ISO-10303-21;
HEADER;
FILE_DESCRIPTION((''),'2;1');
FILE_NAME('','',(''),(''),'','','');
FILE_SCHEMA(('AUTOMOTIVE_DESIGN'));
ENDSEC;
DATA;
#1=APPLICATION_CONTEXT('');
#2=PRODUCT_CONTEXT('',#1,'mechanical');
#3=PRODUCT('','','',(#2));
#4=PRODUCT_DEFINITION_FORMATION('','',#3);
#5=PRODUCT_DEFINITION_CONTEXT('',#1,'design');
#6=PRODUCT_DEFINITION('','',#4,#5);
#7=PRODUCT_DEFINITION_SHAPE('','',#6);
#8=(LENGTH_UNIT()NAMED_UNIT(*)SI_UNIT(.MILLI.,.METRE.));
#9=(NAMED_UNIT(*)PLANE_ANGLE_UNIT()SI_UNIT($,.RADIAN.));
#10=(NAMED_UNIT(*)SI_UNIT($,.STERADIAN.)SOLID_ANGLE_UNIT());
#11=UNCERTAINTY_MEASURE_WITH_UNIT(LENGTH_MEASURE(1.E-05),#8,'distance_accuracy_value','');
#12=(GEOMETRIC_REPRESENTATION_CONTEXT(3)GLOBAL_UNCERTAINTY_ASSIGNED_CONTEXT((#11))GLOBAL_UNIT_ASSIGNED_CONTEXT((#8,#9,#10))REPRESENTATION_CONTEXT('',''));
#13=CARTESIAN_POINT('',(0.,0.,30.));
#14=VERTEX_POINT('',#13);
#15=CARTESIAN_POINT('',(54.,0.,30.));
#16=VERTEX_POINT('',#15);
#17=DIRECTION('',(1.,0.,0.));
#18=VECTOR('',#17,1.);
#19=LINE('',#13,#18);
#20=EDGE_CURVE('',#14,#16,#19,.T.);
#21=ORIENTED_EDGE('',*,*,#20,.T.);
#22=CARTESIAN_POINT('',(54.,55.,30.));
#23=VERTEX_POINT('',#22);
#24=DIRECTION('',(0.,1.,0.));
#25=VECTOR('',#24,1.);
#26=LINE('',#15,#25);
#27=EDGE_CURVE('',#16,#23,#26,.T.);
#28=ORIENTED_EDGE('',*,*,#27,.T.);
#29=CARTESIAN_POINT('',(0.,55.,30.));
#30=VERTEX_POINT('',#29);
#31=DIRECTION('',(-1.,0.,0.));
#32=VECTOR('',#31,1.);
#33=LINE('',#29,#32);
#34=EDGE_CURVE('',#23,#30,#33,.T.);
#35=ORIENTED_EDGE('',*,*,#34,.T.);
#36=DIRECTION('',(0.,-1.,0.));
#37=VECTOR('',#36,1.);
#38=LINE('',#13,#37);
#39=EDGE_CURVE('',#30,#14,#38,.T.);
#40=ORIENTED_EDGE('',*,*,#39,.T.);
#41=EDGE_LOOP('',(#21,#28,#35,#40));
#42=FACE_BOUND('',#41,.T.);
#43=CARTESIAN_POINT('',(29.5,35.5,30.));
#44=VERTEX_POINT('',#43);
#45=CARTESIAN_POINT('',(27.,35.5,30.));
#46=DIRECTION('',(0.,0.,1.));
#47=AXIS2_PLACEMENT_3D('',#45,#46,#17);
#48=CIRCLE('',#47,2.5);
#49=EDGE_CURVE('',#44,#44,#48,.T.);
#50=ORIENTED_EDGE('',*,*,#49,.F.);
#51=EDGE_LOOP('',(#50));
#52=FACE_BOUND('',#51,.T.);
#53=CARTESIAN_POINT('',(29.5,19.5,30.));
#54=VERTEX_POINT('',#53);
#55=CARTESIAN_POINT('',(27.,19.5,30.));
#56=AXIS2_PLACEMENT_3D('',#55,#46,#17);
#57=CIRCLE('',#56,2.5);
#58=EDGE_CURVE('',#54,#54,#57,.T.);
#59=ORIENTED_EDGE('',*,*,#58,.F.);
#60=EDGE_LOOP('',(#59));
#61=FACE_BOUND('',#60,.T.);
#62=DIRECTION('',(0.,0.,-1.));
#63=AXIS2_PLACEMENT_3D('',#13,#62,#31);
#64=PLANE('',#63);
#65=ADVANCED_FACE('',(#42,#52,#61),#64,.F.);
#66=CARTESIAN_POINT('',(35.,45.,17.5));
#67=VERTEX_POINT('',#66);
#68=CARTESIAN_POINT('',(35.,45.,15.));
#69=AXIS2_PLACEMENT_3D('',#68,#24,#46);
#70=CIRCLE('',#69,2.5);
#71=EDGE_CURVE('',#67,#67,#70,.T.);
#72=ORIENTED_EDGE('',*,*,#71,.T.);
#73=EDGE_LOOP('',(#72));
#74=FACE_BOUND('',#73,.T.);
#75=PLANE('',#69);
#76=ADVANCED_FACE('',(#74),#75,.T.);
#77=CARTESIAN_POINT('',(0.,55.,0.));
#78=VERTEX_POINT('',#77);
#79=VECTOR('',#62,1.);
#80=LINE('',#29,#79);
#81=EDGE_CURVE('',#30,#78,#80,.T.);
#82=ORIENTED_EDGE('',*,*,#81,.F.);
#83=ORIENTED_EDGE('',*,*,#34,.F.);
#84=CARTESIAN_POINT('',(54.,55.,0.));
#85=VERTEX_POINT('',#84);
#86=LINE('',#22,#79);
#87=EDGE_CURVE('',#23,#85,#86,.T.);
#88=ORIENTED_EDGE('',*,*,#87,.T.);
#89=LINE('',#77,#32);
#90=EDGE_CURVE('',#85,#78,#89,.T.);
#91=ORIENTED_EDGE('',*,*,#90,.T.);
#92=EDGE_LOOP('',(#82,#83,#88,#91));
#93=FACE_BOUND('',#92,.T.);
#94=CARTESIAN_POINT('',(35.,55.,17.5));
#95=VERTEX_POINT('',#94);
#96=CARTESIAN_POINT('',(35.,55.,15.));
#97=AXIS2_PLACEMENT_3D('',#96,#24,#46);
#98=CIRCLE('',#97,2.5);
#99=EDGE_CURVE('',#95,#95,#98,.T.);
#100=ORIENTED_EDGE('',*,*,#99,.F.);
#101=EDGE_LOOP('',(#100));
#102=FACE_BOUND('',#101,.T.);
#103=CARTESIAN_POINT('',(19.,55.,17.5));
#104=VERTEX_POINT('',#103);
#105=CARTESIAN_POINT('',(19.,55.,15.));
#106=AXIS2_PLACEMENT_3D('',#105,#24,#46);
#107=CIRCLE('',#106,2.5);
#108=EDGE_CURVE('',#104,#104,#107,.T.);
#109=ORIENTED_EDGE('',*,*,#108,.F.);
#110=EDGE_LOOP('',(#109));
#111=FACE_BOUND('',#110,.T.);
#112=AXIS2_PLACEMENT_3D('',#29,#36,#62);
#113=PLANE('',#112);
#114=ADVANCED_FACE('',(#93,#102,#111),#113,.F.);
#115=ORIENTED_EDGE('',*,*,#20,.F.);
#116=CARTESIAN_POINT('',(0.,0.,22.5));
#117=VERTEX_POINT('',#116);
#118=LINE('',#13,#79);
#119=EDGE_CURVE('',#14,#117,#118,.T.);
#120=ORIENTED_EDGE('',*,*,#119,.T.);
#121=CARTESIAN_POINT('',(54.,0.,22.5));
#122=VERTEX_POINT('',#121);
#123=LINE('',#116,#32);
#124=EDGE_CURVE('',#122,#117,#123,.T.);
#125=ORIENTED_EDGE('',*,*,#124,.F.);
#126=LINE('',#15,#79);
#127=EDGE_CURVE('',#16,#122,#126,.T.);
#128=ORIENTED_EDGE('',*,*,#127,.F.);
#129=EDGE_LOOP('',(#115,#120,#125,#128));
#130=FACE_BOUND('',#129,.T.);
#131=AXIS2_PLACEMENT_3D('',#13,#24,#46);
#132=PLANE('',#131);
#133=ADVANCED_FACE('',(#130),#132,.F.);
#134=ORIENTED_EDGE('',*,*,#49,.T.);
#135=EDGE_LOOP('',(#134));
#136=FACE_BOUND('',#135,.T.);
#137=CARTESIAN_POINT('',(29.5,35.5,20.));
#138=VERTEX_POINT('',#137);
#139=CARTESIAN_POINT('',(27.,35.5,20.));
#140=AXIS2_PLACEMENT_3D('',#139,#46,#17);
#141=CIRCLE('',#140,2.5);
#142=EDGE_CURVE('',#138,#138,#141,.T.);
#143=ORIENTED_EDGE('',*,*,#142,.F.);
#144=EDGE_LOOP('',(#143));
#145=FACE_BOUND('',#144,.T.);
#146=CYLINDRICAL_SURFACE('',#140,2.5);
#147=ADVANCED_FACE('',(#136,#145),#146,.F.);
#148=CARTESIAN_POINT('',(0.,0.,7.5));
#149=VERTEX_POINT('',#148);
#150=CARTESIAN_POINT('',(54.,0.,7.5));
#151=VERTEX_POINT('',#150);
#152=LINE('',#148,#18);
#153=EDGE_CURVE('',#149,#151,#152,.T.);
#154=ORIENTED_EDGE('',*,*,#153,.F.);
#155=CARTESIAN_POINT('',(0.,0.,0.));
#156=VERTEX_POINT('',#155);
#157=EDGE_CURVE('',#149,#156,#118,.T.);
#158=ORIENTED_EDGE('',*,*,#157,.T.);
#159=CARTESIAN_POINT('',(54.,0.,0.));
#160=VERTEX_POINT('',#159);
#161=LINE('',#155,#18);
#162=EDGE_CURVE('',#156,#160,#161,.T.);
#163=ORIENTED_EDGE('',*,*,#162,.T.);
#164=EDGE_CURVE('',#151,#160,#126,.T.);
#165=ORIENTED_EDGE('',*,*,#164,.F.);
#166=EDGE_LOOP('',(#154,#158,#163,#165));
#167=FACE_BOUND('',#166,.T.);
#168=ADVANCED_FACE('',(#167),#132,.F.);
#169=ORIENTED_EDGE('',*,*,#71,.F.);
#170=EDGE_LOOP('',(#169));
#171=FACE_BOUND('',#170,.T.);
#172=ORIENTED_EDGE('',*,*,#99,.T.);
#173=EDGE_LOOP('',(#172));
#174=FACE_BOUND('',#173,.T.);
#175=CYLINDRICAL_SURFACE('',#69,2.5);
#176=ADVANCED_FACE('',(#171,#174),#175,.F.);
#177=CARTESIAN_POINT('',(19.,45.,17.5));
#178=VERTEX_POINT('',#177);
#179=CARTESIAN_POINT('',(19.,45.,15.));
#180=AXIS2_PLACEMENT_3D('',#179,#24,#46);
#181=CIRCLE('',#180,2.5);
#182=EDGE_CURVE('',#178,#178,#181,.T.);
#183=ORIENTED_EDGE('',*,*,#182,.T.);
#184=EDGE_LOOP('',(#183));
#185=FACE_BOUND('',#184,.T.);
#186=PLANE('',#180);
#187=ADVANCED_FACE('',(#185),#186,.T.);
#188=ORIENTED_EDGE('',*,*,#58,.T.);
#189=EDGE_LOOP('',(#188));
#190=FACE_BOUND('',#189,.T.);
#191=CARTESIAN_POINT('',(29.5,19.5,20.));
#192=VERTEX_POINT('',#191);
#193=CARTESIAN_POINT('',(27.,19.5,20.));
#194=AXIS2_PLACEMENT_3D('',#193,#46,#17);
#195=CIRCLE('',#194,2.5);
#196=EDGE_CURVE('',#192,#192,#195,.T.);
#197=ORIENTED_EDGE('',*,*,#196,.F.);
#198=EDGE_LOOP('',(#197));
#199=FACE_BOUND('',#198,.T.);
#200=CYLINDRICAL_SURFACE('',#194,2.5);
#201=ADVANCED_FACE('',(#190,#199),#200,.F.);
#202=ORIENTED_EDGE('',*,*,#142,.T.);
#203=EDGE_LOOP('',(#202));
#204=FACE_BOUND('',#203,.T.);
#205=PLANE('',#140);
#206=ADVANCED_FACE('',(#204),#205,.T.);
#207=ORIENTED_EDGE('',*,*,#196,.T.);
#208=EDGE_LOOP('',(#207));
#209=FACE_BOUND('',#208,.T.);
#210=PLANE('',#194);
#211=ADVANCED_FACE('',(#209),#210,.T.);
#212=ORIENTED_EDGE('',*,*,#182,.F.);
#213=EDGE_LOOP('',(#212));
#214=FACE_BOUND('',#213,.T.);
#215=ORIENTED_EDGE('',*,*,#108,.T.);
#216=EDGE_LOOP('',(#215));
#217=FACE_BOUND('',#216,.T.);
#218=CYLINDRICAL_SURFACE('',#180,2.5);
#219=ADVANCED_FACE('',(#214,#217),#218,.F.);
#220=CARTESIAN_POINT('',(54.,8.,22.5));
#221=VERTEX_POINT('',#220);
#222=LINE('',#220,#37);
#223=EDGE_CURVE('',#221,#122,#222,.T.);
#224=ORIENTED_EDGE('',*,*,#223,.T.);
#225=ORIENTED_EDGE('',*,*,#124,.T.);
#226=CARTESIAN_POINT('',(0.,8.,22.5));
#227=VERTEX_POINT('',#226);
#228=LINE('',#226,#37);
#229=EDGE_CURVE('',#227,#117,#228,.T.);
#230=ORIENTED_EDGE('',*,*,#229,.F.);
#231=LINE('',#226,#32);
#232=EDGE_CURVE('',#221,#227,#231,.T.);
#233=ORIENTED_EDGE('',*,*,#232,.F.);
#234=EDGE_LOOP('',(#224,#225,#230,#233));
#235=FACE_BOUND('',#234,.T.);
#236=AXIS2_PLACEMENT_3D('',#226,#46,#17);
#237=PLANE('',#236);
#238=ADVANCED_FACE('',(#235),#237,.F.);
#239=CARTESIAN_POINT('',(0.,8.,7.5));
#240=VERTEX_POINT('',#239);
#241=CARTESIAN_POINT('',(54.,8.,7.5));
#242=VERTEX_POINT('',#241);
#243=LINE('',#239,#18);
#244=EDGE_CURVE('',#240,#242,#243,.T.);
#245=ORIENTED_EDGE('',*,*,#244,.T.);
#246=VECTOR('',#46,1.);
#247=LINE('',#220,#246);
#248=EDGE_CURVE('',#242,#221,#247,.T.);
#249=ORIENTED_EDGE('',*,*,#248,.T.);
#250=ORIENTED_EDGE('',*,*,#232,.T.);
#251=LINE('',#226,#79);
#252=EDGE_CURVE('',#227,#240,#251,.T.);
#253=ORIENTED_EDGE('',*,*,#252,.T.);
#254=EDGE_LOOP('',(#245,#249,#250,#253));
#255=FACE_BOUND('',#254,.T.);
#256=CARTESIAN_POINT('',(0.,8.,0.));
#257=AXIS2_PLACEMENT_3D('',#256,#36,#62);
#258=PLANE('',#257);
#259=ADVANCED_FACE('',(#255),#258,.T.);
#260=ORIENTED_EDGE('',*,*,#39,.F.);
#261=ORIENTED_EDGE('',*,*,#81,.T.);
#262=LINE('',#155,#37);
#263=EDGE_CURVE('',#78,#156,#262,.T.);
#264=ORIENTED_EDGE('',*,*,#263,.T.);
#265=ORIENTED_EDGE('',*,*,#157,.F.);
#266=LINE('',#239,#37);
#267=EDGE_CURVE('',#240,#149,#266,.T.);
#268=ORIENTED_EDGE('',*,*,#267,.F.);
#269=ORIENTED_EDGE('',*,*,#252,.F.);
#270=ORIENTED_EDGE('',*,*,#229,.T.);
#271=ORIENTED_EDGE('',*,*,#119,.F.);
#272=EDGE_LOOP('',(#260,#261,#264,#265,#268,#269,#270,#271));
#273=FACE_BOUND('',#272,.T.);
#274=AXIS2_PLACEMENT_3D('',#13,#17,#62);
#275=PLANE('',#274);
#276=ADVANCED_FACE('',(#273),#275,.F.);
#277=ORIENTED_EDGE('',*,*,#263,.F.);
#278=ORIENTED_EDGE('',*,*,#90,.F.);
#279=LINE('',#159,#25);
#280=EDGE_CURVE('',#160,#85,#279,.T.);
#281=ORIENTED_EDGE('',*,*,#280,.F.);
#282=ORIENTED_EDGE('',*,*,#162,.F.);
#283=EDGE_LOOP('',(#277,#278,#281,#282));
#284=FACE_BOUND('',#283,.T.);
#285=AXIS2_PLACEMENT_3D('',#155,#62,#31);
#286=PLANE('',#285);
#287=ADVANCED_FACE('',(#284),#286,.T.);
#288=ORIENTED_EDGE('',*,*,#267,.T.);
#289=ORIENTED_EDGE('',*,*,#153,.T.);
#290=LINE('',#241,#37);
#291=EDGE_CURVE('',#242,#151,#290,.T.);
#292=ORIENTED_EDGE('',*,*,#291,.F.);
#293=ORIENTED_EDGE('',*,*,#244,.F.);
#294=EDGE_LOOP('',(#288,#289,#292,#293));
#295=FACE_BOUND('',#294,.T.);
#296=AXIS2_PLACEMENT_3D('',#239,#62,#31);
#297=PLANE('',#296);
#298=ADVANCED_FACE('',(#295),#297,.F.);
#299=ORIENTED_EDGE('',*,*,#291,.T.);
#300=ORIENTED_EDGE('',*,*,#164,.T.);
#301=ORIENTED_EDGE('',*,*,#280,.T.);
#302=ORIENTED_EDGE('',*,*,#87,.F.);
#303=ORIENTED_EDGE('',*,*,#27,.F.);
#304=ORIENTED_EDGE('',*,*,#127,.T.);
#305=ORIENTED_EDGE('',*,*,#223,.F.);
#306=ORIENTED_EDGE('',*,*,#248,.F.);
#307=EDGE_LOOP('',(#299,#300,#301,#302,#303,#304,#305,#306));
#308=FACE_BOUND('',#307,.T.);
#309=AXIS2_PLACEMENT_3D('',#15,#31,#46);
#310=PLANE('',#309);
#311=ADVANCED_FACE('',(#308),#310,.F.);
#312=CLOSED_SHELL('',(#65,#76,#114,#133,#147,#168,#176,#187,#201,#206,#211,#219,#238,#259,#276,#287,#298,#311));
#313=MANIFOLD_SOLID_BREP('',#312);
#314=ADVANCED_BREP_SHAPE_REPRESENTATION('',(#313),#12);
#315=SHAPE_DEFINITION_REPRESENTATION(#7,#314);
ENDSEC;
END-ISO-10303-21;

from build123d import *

# Parameters (mm, degrees)
SKETCH1_W           = 54
SKETCH1_H           = 55
BOSS_EXTRUDE1_DEPTH = 30
SKETCH2_W           = 54
SKETCH2_H           = 15
CUT_EXTRUDE1_DEPTH  = 8
SKETCH3_R           = 2.5
CUT_EXTRUDE2_DEPTH  = 10
SKETCH4_R           = 2.5
CUT_EXTRUDE3_DEPTH  = 10


with BuildPart() as part:
    # Sketch1 → Boss-Extrude1 (new body)
    with BuildSketch(Plane.XY):
        with Locations((27, 27.5)):
            Rectangle(SKETCH1_W, SKETCH1_H)
    extrude(amount=BOSS_EXTRUDE1_DEPTH)

    # Sketch2 → Cut-Extrude1 (cut)
    with BuildSketch(Plane.XZ):
        with Locations((27, 15)):
            Rectangle(SKETCH2_W, SKETCH2_H)
    extrude(amount=-CUT_EXTRUDE1_DEPTH, mode=Mode.SUBTRACT)

    # Sketch3 → Cut-Extrude2 (cut)
    with BuildSketch(Plane(origin=(0, 55, 0), x_dir=(1, 0, 0), z_dir=(0, 1, 0))):
        with Locations(Location((19, -15, 0), (0, 0, 270))):
            Circle(SKETCH3_R)
        with Locations(Location((35, -15, 0), (0, 0, 270))):
            Circle(SKETCH3_R)
    extrude(amount=-CUT_EXTRUDE2_DEPTH, mode=Mode.SUBTRACT)

    # Sketch4 → Cut-Extrude3 (cut)
    with BuildSketch(Plane.XY.offset(30)):
        with Locations((27, 35.5)):
            Circle(SKETCH4_R)
        with Locations((27, 19.5)):
            Circle(SKETCH4_R)
    extrude(amount=-CUT_EXTRUDE3_DEPTH, mode=Mode.SUBTRACT)


solid = part.part
